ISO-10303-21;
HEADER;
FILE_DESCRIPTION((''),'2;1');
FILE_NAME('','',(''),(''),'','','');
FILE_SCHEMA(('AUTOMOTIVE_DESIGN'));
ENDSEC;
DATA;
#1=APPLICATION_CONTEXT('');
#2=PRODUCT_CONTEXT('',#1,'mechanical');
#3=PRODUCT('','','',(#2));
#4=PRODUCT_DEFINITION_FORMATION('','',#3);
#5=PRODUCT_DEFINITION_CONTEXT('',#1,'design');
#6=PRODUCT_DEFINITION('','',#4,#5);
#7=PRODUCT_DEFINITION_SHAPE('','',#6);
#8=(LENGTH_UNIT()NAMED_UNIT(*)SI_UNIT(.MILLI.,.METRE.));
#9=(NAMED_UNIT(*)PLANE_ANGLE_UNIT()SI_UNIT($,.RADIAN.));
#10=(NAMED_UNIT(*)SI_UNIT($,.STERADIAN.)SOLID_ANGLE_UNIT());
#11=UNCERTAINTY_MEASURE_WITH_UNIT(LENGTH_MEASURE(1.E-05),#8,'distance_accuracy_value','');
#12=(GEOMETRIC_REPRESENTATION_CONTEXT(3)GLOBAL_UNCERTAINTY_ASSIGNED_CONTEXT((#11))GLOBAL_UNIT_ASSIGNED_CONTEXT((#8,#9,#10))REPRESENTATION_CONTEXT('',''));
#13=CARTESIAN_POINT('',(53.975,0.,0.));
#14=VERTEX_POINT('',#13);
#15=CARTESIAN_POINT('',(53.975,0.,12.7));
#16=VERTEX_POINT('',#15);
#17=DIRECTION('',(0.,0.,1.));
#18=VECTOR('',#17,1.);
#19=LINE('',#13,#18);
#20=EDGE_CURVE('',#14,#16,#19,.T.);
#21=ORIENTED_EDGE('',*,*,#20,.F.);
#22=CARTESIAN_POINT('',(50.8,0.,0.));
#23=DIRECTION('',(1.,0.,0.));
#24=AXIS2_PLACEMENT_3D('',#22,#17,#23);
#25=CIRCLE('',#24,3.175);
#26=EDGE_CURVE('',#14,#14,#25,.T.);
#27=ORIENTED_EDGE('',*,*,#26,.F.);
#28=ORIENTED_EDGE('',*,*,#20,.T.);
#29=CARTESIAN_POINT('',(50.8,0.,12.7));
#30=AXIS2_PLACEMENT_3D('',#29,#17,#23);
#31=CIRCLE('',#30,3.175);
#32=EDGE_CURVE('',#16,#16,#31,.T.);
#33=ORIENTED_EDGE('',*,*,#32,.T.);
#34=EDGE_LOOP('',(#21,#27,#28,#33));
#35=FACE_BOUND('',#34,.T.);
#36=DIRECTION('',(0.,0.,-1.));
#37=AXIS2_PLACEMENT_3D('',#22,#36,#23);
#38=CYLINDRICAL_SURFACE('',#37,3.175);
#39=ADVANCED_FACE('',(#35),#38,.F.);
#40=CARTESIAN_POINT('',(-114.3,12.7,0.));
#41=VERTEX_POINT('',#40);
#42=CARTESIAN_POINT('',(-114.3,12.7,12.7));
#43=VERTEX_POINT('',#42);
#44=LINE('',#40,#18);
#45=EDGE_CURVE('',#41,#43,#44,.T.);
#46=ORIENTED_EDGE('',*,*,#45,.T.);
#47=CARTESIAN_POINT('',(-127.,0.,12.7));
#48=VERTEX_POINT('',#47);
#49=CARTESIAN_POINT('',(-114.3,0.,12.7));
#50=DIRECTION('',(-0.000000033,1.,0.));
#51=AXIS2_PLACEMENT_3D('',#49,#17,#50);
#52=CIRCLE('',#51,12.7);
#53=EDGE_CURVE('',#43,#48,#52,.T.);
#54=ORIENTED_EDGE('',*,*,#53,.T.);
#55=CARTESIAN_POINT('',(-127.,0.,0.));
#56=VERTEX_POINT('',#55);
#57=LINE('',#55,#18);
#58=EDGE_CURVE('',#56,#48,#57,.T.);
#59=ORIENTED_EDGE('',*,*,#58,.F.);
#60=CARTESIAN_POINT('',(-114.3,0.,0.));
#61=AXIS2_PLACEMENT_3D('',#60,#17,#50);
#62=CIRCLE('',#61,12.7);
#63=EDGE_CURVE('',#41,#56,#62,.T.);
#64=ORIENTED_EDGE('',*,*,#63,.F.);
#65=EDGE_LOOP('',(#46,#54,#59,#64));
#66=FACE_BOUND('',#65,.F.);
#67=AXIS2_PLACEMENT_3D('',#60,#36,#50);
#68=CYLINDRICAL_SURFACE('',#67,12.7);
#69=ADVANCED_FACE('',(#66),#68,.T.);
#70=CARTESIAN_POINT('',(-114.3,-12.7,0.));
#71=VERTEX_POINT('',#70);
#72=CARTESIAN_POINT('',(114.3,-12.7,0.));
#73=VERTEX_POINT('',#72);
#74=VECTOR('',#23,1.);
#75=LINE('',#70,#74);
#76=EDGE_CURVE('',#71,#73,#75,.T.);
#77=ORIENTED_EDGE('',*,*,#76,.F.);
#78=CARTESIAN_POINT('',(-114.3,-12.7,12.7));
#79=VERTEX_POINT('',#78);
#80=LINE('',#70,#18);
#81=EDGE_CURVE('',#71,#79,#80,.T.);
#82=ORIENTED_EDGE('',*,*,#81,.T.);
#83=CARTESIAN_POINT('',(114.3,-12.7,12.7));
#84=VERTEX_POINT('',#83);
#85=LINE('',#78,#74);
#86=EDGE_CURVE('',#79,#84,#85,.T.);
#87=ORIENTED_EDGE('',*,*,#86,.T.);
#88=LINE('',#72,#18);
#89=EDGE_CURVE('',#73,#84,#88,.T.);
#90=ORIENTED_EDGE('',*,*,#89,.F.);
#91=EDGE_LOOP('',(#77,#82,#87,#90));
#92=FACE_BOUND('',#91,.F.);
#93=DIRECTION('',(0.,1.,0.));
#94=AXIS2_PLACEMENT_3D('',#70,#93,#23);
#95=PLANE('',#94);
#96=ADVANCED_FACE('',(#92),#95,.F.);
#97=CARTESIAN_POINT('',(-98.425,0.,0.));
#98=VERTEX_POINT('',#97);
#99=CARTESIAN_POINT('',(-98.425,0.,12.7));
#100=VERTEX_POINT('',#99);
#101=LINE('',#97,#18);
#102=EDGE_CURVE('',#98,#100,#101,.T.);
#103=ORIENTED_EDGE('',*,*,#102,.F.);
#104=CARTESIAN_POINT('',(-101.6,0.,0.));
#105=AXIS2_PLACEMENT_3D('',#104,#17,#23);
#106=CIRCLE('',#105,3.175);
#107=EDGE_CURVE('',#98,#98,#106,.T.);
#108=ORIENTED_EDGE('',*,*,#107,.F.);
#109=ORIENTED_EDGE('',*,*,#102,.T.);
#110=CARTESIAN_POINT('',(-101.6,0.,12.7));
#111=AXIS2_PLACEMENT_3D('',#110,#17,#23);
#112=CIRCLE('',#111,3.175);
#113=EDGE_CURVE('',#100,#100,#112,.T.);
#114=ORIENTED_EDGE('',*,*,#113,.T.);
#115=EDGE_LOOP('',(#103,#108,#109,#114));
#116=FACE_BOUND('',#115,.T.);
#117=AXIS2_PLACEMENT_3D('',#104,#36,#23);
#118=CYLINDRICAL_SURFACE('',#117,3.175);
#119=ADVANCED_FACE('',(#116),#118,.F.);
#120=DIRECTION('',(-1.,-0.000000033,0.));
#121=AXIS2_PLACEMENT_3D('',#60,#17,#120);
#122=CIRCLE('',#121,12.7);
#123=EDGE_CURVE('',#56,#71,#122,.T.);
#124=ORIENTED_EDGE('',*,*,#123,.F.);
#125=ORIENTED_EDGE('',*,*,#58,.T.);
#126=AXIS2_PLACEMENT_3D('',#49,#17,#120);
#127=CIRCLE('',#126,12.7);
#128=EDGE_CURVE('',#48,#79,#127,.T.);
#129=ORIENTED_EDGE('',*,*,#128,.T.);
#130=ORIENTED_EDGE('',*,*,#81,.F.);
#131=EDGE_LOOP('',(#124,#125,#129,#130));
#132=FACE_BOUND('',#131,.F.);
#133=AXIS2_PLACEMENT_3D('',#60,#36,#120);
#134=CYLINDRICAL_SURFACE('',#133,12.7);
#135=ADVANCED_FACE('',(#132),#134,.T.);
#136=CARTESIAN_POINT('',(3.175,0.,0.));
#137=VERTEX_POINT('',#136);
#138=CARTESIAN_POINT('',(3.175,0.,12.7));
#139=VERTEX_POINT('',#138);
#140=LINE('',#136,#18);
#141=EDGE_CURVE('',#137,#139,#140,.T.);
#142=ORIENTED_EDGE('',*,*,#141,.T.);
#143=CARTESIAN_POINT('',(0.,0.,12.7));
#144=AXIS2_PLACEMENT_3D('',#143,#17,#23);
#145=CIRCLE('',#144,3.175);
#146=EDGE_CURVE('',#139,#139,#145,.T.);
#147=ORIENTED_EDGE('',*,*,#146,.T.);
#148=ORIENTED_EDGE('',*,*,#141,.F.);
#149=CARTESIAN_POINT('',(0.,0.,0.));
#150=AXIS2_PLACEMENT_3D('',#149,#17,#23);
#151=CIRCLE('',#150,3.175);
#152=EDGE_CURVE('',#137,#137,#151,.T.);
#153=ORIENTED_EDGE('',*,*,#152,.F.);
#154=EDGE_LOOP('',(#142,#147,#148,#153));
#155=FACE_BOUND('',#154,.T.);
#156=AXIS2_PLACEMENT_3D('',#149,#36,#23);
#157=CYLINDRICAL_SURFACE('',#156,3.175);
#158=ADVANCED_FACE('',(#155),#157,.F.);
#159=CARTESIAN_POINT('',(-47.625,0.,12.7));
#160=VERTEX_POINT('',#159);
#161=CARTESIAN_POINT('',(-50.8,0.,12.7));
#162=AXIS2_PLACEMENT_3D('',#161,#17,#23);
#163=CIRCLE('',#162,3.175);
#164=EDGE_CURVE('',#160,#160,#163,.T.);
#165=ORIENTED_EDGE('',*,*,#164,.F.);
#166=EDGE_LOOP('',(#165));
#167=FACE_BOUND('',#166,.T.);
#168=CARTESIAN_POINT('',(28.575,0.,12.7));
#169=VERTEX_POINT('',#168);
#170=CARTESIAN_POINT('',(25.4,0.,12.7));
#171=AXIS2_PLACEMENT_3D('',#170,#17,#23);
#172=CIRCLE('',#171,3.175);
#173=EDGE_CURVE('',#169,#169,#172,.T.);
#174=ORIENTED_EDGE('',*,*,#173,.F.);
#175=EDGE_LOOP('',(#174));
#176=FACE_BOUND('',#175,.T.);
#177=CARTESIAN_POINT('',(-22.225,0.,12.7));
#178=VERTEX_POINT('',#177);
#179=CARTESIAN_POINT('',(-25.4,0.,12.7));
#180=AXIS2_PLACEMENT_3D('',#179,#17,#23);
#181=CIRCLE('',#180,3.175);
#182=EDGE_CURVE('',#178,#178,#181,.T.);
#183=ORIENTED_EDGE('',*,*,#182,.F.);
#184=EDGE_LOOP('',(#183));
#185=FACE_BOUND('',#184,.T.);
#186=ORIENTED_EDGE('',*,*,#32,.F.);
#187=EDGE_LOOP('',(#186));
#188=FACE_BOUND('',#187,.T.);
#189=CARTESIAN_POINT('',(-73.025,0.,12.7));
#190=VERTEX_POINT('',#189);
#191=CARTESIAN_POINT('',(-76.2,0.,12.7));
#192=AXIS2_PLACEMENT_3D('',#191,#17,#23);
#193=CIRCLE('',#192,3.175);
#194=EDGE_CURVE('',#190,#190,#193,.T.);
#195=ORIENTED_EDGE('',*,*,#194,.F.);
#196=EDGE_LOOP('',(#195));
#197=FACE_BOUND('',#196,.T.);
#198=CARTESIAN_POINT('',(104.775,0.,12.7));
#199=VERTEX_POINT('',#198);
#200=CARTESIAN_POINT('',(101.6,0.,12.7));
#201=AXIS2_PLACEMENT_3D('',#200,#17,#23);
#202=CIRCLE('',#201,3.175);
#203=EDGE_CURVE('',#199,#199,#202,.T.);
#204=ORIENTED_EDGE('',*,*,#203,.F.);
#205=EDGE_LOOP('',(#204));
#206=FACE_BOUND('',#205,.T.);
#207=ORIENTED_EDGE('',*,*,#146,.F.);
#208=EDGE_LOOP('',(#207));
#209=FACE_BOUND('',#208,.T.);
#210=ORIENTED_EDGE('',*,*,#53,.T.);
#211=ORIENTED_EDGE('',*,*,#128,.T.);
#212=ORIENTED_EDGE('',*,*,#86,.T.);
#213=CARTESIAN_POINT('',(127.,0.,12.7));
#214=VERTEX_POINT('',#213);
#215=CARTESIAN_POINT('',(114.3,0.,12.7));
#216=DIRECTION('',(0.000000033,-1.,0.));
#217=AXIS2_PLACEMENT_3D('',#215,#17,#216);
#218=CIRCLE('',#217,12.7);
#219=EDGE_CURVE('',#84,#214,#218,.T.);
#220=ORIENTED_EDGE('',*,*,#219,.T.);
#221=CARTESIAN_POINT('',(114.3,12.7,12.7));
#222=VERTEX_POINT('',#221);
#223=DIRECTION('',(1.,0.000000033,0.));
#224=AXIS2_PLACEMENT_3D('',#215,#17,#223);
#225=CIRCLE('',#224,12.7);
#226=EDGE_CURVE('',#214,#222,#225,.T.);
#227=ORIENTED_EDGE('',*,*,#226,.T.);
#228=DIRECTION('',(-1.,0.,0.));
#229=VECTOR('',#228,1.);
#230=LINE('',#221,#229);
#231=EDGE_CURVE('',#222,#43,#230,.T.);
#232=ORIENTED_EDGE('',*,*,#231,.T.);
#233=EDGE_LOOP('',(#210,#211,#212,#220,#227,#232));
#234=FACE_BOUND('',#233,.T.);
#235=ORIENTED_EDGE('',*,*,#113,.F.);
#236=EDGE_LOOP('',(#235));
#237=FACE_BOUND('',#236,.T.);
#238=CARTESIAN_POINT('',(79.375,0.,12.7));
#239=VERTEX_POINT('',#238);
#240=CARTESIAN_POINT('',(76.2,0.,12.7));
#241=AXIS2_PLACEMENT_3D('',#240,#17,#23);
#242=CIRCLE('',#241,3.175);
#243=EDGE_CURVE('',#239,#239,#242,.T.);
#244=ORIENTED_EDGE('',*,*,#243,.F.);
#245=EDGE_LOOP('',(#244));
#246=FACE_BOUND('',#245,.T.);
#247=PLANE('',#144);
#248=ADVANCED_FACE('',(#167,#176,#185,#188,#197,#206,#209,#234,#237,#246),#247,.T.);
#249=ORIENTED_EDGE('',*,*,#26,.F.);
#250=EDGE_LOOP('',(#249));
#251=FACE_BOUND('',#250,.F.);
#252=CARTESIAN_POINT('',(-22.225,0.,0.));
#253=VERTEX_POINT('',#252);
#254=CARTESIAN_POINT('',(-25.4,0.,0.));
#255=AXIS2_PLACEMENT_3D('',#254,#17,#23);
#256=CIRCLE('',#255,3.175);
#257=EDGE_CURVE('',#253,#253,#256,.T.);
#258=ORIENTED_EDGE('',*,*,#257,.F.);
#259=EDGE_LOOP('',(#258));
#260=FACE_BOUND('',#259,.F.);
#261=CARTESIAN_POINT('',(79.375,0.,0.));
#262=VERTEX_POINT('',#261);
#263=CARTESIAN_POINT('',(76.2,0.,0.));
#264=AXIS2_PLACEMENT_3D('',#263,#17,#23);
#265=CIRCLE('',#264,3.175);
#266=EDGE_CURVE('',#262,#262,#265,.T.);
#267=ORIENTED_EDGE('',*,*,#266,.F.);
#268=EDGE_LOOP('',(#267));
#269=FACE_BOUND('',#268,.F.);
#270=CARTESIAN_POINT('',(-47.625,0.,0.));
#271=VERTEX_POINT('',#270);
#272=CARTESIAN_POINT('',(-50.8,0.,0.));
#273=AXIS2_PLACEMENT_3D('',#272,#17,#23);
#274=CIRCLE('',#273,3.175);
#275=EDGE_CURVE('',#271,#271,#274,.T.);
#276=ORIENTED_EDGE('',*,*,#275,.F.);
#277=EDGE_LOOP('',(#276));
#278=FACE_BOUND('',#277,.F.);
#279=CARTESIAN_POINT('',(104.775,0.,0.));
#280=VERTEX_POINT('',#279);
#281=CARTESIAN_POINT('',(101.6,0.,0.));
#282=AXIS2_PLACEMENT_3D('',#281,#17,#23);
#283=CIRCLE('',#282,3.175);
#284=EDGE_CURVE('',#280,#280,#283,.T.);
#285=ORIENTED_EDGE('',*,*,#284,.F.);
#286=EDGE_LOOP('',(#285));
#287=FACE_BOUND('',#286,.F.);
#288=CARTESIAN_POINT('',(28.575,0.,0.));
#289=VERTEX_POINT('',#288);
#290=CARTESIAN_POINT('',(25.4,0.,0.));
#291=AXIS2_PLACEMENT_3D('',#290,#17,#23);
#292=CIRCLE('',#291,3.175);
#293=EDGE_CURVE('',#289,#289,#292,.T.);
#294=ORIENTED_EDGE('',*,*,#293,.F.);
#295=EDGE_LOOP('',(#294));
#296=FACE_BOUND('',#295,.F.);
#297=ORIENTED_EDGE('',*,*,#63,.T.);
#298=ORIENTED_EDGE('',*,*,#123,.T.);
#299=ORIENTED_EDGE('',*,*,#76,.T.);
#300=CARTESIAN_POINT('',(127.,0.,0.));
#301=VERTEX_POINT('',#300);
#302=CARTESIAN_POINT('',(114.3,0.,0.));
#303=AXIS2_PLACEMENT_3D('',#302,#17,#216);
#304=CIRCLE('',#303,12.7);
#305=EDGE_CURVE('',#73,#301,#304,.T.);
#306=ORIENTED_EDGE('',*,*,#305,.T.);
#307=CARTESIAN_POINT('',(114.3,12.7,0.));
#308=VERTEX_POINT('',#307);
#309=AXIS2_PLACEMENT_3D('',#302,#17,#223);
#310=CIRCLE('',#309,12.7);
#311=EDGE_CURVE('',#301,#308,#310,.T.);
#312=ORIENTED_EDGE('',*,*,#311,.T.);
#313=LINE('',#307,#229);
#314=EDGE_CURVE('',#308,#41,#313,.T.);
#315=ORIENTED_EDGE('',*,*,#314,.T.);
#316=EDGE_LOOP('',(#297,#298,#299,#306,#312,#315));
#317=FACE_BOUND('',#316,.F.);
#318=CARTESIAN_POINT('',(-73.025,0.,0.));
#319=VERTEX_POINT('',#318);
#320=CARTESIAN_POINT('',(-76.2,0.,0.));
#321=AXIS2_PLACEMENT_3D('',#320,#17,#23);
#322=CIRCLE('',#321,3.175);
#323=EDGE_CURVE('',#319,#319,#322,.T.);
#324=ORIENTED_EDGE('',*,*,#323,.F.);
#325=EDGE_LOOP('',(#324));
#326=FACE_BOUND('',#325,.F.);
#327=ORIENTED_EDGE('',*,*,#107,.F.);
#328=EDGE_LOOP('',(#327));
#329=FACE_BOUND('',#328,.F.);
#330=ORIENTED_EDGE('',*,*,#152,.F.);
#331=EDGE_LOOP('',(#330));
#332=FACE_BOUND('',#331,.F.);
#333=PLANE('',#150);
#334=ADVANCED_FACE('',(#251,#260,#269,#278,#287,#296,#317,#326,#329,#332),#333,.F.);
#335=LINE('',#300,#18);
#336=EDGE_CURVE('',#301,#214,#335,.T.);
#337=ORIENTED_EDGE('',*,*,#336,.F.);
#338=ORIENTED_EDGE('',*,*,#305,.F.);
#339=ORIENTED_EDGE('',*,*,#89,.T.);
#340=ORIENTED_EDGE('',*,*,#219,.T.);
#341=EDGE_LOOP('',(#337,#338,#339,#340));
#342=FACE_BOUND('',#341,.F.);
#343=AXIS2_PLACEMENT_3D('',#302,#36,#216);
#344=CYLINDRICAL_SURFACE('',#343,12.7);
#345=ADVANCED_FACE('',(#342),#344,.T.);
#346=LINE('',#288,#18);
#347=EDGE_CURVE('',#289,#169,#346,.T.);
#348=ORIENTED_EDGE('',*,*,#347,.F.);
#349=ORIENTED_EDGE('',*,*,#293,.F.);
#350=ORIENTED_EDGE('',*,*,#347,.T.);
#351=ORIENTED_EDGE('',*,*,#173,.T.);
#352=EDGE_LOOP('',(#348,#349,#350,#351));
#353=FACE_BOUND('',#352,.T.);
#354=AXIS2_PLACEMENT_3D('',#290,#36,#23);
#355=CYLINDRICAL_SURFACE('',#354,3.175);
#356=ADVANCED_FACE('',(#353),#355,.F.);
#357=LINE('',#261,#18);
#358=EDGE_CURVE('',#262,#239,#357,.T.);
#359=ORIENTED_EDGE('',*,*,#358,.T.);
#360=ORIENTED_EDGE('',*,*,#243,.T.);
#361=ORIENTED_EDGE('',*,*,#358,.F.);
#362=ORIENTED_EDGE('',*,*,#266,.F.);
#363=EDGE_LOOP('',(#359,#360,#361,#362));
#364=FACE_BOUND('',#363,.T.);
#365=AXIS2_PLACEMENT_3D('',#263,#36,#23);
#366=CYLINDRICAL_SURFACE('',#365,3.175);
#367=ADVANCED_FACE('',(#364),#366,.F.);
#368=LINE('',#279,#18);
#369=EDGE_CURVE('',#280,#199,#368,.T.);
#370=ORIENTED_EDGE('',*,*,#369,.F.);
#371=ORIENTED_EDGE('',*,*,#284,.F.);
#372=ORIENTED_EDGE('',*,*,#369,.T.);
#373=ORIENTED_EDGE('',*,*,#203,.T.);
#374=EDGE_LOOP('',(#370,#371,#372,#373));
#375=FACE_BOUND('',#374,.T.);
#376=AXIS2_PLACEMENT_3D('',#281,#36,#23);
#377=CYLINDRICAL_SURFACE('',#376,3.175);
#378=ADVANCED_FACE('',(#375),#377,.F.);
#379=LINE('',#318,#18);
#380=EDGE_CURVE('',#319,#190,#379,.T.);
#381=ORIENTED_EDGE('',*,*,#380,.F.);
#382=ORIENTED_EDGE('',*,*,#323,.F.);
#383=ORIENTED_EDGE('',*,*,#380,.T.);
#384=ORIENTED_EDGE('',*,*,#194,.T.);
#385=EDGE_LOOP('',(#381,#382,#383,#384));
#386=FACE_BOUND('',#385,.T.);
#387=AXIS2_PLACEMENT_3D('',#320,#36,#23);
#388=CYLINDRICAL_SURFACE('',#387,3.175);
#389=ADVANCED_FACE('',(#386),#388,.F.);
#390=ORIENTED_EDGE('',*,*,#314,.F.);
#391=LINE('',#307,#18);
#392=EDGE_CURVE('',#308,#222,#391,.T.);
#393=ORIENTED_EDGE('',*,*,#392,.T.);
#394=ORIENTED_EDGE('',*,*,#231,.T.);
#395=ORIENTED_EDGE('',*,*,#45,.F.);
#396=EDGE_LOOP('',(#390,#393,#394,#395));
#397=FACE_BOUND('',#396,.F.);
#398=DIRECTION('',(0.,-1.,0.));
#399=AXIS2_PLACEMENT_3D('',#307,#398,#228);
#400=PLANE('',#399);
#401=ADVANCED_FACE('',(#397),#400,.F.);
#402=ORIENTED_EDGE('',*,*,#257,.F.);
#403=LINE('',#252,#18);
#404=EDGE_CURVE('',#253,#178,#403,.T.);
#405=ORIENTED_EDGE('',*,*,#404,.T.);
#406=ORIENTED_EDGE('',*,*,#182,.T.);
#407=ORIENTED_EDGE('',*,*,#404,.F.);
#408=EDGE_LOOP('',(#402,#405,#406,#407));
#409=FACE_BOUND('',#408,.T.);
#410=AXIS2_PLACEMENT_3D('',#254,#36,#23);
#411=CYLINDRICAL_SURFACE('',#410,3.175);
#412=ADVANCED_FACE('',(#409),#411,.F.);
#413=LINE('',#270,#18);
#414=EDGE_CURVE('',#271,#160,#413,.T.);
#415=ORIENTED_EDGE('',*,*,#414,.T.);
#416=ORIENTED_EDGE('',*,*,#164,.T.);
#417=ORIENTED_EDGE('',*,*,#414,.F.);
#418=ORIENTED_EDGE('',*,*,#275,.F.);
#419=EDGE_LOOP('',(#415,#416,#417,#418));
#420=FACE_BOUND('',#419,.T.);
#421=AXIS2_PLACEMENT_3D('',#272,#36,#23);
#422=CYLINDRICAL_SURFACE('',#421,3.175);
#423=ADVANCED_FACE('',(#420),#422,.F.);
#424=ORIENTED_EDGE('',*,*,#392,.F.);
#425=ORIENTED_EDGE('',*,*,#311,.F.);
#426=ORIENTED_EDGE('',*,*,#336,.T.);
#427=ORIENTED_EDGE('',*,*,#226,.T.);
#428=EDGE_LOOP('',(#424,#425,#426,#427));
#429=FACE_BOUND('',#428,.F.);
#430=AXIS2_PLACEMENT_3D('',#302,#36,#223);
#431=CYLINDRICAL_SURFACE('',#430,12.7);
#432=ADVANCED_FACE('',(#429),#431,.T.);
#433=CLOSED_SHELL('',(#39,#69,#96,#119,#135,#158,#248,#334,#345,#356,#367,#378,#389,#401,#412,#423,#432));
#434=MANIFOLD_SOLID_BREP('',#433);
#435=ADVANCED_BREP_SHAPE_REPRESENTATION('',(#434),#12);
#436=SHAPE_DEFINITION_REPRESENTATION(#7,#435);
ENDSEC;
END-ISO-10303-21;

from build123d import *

# Parameters (mm, degrees)
F0_R     = 3.175
F1_DEPTH = 12.7


with BuildPart() as f1:
    # F0 (on Top) → F1 (new body)
    with BuildSketch(Plane.XY):
        with BuildLine():
            Line((-114.3, -12.7), (114.3, -12.7))
            ThreePointArc((114.3, -12.7), (123.280256, -8.980256), (127, 0))
            ThreePointArc((127, 0), (123.280256, 8.980256), (114.3, 12.7))
            Line((114.3, 12.7), (-114.3, 12.7))
            ThreePointArc((-114.3, 12.7), (-123.280256, 8.980256), (-127, 0))
            ThreePointArc((-127, 0), (-123.280256, -8.980256), (-114.3, -12.7))
        make_face()
        with Locations((-101.6, 0)):
            Circle(F0_R, mode=Mode.SUBTRACT)
        with Locations((-76.2, 0)):
            Circle(F0_R, mode=Mode.SUBTRACT)
        with Locations((-50.8, 0)):
            Circle(F0_R, mode=Mode.SUBTRACT)
        with Locations((-25.4, 0)):
            Circle(F0_R, mode=Mode.SUBTRACT)
        Circle(F0_R, mode=Mode.SUBTRACT)
        with Locations((25.4, 0)):
            Circle(F0_R, mode=Mode.SUBTRACT)
        with Locations((50.8, 0)):
            Circle(F0_R, mode=Mode.SUBTRACT)
        with Locations((76.2, 0)):
            Circle(F0_R, mode=Mode.SUBTRACT)
        with Locations((101.6, 0)):
            Circle(F0_R, mode=Mode.SUBTRACT)
    extrude(amount=F1_DEPTH)


solid = f1.part
